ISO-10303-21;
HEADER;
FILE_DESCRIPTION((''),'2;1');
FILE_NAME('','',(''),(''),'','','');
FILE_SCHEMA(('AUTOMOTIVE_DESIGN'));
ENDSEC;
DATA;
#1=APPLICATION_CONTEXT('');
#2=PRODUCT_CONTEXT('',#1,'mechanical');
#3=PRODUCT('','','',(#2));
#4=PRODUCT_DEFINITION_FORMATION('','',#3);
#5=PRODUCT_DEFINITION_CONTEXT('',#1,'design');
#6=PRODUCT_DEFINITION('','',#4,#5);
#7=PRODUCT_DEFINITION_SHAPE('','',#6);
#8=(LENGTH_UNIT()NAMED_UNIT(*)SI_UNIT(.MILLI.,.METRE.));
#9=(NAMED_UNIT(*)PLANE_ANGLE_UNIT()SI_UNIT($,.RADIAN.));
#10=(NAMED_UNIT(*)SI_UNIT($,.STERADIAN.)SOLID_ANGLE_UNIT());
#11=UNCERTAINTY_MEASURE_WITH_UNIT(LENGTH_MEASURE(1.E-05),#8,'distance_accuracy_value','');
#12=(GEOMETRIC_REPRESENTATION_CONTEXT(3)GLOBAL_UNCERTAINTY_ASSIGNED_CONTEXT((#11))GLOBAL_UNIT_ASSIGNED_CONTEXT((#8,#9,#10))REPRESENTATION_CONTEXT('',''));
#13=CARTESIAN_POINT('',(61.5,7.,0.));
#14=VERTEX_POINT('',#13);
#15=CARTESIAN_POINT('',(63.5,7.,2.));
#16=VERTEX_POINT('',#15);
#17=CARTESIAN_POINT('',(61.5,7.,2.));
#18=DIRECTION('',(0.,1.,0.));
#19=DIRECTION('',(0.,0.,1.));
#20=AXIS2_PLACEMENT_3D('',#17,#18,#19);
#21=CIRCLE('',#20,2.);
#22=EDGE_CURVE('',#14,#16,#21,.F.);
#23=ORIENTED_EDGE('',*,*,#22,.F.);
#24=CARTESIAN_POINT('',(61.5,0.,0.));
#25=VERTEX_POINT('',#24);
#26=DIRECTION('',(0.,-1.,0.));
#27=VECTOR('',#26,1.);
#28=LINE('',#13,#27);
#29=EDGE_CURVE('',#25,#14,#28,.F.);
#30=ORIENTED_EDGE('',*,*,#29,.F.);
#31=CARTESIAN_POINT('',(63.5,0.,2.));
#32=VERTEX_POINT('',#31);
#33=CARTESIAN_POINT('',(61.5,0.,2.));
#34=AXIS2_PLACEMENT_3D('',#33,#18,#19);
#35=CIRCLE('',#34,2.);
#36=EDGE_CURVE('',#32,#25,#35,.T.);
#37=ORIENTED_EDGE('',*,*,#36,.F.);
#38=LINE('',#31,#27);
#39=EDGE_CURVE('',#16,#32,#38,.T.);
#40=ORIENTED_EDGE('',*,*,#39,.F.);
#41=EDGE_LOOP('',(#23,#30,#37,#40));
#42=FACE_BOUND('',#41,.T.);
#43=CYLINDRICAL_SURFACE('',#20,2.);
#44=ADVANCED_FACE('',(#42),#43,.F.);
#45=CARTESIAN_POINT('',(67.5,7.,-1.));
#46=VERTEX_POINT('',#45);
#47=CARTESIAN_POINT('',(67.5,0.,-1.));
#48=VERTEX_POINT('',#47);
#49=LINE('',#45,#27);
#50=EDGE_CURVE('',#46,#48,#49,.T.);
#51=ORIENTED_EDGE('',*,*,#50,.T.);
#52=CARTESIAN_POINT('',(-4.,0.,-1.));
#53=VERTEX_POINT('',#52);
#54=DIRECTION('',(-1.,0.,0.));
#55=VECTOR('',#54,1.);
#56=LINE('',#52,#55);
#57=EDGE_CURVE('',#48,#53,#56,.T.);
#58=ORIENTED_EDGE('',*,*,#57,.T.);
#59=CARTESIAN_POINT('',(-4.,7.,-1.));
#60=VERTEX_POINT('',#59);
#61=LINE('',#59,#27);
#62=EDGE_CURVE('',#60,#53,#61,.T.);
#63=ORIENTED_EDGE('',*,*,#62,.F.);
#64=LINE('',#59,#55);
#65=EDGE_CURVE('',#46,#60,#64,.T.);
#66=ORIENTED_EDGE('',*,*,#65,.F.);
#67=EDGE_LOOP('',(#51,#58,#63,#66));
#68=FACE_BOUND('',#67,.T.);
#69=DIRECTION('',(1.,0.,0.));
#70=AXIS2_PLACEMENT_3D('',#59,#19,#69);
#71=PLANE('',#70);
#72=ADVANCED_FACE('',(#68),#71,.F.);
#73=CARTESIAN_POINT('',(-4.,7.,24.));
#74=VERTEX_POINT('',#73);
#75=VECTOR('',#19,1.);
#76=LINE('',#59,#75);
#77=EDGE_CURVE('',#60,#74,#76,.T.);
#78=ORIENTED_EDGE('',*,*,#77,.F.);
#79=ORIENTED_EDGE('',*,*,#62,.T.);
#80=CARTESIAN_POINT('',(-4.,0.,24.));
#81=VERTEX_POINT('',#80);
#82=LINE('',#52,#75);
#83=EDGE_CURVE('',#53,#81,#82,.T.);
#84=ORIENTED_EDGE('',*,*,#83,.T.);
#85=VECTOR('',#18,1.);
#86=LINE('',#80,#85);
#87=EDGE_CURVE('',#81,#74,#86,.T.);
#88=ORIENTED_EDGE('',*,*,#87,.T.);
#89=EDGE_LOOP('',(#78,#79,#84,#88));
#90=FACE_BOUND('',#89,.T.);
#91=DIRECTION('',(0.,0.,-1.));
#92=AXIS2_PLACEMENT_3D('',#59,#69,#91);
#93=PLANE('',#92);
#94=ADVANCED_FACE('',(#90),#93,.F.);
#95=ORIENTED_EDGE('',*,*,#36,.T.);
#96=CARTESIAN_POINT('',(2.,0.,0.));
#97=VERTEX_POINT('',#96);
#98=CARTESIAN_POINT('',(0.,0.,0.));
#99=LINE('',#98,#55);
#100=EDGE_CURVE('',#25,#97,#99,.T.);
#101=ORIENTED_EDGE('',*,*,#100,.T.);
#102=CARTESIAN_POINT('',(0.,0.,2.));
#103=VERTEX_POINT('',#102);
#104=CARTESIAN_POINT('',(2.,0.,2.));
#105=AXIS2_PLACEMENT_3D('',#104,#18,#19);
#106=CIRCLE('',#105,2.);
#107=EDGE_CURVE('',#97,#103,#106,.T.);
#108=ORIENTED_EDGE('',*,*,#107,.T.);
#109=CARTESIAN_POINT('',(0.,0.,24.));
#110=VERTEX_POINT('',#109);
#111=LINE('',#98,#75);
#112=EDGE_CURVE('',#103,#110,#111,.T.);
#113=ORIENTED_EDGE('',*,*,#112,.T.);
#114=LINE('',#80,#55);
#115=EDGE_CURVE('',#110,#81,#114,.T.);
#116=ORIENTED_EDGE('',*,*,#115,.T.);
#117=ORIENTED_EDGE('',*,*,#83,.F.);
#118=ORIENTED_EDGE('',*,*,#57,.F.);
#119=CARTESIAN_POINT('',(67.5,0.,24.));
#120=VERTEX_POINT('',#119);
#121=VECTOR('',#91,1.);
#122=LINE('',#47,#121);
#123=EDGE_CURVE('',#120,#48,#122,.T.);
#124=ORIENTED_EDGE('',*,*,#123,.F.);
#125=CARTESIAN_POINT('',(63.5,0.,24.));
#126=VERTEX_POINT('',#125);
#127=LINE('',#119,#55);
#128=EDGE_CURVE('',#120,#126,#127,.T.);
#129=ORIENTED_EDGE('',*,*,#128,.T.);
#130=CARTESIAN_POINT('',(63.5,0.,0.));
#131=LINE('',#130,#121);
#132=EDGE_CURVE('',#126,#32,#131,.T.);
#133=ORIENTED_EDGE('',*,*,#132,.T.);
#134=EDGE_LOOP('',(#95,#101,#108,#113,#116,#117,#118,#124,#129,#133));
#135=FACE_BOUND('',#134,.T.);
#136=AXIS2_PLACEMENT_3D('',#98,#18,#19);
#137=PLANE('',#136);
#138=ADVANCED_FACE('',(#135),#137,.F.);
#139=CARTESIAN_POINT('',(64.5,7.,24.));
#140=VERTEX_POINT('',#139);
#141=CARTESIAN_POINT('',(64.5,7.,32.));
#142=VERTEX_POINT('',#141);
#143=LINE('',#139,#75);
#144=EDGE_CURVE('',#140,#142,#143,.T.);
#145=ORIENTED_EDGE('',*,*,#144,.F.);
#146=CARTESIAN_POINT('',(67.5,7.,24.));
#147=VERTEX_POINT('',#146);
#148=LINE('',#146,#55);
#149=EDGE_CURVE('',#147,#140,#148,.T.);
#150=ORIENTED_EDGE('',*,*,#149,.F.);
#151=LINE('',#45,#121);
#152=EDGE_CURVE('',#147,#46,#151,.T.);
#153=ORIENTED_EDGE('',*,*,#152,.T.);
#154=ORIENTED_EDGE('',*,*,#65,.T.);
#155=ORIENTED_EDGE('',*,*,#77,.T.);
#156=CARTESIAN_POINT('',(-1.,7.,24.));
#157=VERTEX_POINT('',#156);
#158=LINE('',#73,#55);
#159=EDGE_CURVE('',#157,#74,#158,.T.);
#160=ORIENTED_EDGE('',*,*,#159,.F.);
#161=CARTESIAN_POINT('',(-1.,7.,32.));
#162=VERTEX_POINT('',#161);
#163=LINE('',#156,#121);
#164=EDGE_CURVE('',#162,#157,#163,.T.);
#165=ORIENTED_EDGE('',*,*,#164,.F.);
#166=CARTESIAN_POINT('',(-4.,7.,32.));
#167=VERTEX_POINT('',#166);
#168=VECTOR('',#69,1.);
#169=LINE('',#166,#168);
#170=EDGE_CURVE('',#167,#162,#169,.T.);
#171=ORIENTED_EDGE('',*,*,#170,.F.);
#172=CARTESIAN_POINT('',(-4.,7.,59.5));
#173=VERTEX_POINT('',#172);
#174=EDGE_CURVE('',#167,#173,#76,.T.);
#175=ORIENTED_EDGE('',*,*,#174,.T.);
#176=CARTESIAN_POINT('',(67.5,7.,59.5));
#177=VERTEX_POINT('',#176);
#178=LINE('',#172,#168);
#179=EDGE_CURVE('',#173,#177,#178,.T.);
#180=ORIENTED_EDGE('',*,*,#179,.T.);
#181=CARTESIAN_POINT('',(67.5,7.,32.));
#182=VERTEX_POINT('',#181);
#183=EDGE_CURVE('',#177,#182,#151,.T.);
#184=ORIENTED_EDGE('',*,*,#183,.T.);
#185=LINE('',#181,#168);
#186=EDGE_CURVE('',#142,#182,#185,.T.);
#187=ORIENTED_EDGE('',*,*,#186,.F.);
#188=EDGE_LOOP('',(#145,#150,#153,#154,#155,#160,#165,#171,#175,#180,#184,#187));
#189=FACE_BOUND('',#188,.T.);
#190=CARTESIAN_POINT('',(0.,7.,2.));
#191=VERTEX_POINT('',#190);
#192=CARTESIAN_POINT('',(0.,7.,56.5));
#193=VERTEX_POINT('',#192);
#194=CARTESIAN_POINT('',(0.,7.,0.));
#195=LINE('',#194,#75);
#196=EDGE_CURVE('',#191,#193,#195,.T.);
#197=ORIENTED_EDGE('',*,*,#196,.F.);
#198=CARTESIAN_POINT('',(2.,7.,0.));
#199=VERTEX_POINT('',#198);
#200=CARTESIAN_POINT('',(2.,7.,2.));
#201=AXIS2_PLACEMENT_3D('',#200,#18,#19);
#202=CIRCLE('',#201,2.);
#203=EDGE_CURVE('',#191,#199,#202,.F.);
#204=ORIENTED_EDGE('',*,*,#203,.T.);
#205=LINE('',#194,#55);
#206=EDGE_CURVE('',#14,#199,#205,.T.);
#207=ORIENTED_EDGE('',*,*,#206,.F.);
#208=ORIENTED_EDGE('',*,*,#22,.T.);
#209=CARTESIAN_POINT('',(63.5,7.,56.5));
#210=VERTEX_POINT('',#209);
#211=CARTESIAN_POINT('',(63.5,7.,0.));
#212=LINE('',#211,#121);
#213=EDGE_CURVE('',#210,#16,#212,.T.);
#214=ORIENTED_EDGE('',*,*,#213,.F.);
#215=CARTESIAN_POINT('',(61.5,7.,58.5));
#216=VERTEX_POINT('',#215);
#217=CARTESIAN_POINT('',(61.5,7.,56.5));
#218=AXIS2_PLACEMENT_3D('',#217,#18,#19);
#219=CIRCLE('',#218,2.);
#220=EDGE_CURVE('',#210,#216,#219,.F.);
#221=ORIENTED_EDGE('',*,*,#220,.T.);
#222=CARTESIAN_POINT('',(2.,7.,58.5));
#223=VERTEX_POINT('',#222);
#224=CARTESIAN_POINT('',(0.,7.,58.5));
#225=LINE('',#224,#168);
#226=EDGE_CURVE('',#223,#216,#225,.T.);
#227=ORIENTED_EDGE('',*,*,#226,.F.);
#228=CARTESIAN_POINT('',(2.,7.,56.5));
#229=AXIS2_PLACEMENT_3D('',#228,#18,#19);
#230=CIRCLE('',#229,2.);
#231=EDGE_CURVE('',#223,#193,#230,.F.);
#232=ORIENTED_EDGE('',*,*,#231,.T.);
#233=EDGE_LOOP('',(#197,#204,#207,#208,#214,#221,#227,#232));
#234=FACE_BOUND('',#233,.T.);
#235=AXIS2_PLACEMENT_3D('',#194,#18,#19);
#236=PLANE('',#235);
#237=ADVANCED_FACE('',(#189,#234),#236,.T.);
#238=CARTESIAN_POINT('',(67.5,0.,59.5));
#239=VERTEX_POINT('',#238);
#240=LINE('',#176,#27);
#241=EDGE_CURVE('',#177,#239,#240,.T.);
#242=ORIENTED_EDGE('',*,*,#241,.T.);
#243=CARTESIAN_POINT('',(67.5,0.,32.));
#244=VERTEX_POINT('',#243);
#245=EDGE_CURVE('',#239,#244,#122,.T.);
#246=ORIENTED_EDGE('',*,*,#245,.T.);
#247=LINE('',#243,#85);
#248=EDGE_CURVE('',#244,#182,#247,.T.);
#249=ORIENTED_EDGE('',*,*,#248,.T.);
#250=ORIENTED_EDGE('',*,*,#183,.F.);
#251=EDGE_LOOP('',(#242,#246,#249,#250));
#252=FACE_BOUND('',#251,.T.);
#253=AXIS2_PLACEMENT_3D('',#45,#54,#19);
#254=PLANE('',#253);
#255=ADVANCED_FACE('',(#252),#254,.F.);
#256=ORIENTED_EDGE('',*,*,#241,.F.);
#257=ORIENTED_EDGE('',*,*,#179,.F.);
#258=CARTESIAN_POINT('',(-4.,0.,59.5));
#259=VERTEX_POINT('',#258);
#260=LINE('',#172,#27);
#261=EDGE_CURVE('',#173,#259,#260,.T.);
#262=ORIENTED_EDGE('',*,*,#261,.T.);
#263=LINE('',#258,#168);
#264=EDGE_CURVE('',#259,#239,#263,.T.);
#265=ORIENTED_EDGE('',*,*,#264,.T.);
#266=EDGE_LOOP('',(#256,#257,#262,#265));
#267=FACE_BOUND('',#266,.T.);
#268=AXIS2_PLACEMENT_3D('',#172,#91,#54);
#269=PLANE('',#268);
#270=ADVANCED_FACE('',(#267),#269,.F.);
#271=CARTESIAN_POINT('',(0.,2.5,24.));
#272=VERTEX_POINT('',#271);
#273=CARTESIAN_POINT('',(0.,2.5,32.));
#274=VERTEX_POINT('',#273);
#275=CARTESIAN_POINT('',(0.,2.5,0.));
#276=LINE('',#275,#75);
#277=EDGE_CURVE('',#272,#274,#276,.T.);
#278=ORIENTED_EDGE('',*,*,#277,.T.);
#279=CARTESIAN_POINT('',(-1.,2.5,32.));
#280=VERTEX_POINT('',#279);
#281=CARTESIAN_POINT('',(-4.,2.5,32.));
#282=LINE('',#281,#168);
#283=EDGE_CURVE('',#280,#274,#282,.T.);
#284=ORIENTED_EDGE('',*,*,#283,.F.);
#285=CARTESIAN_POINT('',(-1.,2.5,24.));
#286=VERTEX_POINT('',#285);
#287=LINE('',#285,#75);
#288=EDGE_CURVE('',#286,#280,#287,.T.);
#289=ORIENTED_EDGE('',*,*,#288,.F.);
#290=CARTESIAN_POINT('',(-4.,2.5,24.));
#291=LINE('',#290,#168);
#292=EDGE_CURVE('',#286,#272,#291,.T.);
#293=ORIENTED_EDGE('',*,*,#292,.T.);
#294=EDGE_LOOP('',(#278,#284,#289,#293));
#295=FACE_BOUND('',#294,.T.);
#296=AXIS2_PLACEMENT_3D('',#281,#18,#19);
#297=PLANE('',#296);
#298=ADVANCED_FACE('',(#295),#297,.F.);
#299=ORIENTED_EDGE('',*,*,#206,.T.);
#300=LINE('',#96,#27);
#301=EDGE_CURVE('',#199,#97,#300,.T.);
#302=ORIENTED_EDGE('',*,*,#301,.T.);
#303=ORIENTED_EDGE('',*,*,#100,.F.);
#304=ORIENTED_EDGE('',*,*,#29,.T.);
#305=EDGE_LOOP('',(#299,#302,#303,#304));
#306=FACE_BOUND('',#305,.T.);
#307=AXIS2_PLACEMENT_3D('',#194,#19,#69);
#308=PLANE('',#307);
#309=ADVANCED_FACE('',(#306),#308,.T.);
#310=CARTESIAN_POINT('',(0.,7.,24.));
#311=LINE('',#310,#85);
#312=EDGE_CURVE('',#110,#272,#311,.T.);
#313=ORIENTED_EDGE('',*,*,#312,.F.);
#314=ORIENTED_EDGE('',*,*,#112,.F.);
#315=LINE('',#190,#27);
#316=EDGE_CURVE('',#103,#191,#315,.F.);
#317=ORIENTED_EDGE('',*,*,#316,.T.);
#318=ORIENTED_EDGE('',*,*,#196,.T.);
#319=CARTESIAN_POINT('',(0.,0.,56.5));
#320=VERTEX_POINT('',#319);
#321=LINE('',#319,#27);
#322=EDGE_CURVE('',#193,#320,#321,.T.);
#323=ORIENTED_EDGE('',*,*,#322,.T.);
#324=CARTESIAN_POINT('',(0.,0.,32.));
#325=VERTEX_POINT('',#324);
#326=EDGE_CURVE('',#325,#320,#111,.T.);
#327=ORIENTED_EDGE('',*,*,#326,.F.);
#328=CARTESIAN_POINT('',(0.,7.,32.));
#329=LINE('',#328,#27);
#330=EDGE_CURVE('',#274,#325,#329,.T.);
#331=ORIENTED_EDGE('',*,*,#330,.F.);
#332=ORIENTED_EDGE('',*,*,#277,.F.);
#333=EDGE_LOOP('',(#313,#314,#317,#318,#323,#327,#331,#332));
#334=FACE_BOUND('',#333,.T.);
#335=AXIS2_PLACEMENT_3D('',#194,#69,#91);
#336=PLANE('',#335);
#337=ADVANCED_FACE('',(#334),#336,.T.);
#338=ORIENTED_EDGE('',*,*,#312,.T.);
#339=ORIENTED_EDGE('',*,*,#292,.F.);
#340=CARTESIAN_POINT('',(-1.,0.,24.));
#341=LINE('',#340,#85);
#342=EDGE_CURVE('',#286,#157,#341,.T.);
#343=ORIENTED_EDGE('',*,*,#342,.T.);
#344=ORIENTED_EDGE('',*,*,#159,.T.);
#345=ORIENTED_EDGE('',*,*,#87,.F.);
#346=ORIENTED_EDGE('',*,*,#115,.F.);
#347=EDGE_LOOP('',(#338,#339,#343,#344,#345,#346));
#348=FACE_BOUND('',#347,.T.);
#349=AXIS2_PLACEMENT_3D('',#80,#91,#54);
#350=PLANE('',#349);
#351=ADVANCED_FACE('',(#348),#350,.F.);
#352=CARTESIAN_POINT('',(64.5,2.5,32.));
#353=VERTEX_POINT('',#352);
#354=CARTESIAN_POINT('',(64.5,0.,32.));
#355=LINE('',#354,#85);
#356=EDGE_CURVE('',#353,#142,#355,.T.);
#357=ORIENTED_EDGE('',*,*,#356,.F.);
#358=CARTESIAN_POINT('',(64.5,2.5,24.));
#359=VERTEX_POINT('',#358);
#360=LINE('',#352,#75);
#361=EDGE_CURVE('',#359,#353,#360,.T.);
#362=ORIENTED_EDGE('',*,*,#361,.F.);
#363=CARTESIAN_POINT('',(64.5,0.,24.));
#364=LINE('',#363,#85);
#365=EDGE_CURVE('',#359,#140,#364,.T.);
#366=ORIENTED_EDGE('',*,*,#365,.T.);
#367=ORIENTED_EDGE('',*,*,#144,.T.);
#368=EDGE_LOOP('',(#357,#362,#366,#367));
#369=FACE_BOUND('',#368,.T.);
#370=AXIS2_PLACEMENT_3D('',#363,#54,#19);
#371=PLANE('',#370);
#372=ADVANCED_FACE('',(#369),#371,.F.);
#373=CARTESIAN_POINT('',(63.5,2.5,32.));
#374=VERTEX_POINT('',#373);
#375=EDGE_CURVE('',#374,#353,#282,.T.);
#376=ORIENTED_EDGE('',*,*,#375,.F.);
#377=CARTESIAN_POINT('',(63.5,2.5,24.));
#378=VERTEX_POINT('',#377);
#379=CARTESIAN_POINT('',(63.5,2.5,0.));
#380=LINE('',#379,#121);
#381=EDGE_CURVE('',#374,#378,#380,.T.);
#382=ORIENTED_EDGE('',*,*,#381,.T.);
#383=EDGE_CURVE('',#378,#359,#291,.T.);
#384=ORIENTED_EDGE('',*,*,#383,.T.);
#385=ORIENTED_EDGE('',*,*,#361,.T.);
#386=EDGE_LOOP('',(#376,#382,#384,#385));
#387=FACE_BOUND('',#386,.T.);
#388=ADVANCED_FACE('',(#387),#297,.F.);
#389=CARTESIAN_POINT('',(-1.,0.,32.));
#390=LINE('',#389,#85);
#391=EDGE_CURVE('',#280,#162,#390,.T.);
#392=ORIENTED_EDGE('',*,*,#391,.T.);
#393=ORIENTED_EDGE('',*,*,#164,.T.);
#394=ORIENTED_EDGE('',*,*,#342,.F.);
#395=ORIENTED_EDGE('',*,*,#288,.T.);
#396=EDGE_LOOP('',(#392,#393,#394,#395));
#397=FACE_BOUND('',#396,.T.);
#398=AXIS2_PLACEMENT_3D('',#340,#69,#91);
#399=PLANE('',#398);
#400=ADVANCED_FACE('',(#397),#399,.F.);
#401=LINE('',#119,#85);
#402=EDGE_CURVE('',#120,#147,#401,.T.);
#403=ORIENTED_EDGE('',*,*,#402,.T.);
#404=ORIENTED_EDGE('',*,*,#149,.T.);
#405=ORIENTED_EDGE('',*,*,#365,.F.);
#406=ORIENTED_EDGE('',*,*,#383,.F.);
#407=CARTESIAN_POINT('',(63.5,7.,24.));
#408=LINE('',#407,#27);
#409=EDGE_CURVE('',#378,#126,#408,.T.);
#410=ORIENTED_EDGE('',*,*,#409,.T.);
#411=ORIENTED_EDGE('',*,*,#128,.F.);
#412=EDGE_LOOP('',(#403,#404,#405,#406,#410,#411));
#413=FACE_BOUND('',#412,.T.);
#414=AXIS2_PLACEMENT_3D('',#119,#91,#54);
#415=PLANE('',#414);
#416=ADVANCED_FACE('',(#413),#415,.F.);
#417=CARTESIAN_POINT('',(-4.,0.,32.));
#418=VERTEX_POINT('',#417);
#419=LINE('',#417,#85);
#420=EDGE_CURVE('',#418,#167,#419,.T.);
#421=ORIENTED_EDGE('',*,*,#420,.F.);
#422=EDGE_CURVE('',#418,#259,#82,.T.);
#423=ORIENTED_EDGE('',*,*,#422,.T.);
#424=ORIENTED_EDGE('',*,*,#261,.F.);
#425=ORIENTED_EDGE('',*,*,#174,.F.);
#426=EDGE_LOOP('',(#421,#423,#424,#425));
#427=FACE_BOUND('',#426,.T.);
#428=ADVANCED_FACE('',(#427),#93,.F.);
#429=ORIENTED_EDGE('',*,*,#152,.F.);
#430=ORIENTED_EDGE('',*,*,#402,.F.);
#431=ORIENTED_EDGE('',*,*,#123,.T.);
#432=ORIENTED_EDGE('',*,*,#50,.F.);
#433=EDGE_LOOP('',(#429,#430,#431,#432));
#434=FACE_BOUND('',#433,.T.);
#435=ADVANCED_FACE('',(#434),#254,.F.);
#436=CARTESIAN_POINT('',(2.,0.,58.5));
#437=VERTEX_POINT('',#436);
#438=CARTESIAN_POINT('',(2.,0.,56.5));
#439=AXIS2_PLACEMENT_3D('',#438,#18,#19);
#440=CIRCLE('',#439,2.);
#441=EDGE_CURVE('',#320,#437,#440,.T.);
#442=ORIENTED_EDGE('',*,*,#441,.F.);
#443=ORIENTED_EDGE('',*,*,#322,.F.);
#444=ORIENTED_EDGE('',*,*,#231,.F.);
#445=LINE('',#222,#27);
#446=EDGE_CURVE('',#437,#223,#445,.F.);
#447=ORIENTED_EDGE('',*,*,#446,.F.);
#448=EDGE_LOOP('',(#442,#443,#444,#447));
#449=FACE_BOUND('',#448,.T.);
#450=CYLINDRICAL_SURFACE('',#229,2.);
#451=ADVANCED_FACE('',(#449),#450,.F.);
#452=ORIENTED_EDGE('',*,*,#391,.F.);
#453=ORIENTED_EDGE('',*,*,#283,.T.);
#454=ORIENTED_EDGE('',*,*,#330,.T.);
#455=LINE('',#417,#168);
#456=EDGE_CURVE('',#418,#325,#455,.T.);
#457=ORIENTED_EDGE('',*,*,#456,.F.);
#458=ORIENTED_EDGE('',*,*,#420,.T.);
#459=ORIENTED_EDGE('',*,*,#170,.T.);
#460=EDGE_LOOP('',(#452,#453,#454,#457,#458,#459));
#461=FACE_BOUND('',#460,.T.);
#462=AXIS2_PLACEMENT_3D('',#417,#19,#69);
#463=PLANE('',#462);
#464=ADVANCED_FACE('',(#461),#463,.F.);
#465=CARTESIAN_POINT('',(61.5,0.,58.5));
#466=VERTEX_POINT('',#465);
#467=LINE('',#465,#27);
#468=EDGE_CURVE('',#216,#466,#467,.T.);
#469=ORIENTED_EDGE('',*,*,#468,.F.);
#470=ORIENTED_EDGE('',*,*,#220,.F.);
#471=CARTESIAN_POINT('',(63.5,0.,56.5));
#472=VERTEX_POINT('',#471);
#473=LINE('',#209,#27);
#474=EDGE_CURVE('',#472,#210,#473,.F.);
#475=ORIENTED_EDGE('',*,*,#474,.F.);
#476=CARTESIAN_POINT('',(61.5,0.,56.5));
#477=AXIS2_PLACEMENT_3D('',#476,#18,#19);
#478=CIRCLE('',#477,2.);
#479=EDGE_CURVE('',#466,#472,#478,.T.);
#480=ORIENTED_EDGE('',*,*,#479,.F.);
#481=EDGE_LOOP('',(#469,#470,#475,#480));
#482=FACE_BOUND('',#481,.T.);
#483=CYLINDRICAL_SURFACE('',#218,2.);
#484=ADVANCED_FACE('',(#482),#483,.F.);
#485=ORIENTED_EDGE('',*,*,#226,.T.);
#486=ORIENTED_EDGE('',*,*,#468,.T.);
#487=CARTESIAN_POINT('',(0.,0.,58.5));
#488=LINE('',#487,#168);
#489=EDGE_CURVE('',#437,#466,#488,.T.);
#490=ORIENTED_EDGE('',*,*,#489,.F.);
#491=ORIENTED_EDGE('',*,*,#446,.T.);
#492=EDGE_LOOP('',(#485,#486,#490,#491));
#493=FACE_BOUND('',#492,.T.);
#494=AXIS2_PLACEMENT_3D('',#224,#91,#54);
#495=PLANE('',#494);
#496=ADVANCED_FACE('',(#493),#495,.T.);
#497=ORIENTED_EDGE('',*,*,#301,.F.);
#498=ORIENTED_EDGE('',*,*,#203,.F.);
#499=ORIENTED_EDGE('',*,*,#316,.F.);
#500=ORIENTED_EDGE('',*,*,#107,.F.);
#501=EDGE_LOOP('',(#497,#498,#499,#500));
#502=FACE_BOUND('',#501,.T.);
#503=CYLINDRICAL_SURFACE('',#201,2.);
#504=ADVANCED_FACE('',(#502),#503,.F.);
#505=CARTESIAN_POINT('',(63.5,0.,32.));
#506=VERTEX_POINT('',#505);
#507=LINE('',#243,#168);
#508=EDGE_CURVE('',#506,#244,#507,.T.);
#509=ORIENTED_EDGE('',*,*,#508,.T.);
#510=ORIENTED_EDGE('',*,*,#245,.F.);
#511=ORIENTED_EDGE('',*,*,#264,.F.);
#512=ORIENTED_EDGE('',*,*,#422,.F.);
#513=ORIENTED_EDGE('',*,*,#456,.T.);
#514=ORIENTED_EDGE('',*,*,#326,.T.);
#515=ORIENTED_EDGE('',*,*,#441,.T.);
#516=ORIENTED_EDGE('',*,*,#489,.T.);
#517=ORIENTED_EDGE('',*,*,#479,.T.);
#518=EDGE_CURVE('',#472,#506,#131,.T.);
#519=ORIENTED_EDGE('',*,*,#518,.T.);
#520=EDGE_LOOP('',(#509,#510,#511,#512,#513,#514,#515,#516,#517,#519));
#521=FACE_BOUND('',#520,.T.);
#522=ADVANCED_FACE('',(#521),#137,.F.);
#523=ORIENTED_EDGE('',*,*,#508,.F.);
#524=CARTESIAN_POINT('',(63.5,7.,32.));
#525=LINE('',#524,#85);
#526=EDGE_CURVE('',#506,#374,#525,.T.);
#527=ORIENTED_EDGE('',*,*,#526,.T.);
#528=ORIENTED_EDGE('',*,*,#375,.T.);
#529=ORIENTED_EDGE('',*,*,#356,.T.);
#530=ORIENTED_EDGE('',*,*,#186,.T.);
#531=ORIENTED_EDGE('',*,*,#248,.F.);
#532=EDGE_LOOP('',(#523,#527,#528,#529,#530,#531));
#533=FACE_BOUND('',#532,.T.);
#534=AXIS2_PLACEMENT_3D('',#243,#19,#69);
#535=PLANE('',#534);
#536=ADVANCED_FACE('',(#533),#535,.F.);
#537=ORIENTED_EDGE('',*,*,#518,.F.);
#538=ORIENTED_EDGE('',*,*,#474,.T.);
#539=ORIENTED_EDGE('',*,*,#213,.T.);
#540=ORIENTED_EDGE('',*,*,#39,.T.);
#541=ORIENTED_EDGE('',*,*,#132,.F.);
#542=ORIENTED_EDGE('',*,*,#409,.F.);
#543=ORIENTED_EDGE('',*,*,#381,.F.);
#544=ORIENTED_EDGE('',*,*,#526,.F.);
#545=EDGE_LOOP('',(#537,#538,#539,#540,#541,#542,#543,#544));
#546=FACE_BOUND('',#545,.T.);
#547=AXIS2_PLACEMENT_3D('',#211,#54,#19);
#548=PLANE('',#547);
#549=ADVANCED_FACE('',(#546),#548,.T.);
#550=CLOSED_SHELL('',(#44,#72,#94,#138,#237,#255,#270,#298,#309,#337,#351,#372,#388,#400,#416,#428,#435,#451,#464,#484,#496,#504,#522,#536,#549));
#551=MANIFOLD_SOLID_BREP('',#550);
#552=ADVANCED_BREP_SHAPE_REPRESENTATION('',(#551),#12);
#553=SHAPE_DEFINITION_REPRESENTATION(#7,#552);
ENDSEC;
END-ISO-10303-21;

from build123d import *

# Parameters (mm, degrees)
SKETCH_1_W          = 71.5
SKETCH_1_H          = 60.5
SKETCH_1_W_2        = 63.5
SKETCH_1_H_2        = 58.5
EXTRUDE_1_DEPTH     = 7
FILLET_1_R          = 2
SKETCH_2_W          = 3
SKETCH_2_H          = 8
CUT_EXTRUDE_1_DEPTH = 7
SKETCH_3_W          = 8
SKETCH_3_H          = 2.5
CUT_EXTRUDE_2_DEPTH = 92.002747211


with BuildPart() as part:
    # Эскиз1 → Бобышка-Вытянуть1 (new body)
    with BuildSketch(Plane(origin=(0, 0, 0), x_dir=(1, 0, 0), z_dir=(0, 1, 0))):
        with Locations((31.75, -29.25)):
            Rectangle(SKETCH_1_W, SKETCH_1_H)
        with Locations((31.75, -29.25)):
            Rectangle(SKETCH_1_W_2, SKETCH_1_H_2, mode=Mode.SUBTRACT)
    extrude(amount=EXTRUDE_1_DEPTH)

    # Скругление1
    fillet_1_edges = [part.edges().sort_by_distance(p)[0] for p in [
        (0, 3.5, 0),
        (0, 3.5, 58.5),
        (63.5, 3.5, 58.5),
        (63.5, 3.5, 0),
    ]]
    fillet(fillet_1_edges, radius=FILLET_1_R)

    # Эскиз2 → Вырез-Вытянуть1 (cut)
    with BuildSketch(Plane(origin=(0, 7, 0), x_dir=(1, 0, 0), z_dir=(0, 1, 0))):
        with Locations((-2.5, -28)):
            Rectangle(SKETCH_2_W, SKETCH_2_H)
        with Locations((66, -28)):
            Rectangle(SKETCH_2_W, SKETCH_2_H)
    extrude(amount=-CUT_EXTRUDE_1_DEPTH, mode=Mode.SUBTRACT)

    # Эскиз3 → Вырез-Вытянуть2 (cut, through all)
    with BuildSketch(Plane(origin=(64.5, 0, 0), x_dir=(0, 0, -1), z_dir=(1, 0, 0))):
        with Locations((-28, 1.25)):
            Rectangle(SKETCH_3_W, SKETCH_3_H)
    extrude(amount=-CUT_EXTRUDE_2_DEPTH, mode=Mode.SUBTRACT)


solid = part.part
